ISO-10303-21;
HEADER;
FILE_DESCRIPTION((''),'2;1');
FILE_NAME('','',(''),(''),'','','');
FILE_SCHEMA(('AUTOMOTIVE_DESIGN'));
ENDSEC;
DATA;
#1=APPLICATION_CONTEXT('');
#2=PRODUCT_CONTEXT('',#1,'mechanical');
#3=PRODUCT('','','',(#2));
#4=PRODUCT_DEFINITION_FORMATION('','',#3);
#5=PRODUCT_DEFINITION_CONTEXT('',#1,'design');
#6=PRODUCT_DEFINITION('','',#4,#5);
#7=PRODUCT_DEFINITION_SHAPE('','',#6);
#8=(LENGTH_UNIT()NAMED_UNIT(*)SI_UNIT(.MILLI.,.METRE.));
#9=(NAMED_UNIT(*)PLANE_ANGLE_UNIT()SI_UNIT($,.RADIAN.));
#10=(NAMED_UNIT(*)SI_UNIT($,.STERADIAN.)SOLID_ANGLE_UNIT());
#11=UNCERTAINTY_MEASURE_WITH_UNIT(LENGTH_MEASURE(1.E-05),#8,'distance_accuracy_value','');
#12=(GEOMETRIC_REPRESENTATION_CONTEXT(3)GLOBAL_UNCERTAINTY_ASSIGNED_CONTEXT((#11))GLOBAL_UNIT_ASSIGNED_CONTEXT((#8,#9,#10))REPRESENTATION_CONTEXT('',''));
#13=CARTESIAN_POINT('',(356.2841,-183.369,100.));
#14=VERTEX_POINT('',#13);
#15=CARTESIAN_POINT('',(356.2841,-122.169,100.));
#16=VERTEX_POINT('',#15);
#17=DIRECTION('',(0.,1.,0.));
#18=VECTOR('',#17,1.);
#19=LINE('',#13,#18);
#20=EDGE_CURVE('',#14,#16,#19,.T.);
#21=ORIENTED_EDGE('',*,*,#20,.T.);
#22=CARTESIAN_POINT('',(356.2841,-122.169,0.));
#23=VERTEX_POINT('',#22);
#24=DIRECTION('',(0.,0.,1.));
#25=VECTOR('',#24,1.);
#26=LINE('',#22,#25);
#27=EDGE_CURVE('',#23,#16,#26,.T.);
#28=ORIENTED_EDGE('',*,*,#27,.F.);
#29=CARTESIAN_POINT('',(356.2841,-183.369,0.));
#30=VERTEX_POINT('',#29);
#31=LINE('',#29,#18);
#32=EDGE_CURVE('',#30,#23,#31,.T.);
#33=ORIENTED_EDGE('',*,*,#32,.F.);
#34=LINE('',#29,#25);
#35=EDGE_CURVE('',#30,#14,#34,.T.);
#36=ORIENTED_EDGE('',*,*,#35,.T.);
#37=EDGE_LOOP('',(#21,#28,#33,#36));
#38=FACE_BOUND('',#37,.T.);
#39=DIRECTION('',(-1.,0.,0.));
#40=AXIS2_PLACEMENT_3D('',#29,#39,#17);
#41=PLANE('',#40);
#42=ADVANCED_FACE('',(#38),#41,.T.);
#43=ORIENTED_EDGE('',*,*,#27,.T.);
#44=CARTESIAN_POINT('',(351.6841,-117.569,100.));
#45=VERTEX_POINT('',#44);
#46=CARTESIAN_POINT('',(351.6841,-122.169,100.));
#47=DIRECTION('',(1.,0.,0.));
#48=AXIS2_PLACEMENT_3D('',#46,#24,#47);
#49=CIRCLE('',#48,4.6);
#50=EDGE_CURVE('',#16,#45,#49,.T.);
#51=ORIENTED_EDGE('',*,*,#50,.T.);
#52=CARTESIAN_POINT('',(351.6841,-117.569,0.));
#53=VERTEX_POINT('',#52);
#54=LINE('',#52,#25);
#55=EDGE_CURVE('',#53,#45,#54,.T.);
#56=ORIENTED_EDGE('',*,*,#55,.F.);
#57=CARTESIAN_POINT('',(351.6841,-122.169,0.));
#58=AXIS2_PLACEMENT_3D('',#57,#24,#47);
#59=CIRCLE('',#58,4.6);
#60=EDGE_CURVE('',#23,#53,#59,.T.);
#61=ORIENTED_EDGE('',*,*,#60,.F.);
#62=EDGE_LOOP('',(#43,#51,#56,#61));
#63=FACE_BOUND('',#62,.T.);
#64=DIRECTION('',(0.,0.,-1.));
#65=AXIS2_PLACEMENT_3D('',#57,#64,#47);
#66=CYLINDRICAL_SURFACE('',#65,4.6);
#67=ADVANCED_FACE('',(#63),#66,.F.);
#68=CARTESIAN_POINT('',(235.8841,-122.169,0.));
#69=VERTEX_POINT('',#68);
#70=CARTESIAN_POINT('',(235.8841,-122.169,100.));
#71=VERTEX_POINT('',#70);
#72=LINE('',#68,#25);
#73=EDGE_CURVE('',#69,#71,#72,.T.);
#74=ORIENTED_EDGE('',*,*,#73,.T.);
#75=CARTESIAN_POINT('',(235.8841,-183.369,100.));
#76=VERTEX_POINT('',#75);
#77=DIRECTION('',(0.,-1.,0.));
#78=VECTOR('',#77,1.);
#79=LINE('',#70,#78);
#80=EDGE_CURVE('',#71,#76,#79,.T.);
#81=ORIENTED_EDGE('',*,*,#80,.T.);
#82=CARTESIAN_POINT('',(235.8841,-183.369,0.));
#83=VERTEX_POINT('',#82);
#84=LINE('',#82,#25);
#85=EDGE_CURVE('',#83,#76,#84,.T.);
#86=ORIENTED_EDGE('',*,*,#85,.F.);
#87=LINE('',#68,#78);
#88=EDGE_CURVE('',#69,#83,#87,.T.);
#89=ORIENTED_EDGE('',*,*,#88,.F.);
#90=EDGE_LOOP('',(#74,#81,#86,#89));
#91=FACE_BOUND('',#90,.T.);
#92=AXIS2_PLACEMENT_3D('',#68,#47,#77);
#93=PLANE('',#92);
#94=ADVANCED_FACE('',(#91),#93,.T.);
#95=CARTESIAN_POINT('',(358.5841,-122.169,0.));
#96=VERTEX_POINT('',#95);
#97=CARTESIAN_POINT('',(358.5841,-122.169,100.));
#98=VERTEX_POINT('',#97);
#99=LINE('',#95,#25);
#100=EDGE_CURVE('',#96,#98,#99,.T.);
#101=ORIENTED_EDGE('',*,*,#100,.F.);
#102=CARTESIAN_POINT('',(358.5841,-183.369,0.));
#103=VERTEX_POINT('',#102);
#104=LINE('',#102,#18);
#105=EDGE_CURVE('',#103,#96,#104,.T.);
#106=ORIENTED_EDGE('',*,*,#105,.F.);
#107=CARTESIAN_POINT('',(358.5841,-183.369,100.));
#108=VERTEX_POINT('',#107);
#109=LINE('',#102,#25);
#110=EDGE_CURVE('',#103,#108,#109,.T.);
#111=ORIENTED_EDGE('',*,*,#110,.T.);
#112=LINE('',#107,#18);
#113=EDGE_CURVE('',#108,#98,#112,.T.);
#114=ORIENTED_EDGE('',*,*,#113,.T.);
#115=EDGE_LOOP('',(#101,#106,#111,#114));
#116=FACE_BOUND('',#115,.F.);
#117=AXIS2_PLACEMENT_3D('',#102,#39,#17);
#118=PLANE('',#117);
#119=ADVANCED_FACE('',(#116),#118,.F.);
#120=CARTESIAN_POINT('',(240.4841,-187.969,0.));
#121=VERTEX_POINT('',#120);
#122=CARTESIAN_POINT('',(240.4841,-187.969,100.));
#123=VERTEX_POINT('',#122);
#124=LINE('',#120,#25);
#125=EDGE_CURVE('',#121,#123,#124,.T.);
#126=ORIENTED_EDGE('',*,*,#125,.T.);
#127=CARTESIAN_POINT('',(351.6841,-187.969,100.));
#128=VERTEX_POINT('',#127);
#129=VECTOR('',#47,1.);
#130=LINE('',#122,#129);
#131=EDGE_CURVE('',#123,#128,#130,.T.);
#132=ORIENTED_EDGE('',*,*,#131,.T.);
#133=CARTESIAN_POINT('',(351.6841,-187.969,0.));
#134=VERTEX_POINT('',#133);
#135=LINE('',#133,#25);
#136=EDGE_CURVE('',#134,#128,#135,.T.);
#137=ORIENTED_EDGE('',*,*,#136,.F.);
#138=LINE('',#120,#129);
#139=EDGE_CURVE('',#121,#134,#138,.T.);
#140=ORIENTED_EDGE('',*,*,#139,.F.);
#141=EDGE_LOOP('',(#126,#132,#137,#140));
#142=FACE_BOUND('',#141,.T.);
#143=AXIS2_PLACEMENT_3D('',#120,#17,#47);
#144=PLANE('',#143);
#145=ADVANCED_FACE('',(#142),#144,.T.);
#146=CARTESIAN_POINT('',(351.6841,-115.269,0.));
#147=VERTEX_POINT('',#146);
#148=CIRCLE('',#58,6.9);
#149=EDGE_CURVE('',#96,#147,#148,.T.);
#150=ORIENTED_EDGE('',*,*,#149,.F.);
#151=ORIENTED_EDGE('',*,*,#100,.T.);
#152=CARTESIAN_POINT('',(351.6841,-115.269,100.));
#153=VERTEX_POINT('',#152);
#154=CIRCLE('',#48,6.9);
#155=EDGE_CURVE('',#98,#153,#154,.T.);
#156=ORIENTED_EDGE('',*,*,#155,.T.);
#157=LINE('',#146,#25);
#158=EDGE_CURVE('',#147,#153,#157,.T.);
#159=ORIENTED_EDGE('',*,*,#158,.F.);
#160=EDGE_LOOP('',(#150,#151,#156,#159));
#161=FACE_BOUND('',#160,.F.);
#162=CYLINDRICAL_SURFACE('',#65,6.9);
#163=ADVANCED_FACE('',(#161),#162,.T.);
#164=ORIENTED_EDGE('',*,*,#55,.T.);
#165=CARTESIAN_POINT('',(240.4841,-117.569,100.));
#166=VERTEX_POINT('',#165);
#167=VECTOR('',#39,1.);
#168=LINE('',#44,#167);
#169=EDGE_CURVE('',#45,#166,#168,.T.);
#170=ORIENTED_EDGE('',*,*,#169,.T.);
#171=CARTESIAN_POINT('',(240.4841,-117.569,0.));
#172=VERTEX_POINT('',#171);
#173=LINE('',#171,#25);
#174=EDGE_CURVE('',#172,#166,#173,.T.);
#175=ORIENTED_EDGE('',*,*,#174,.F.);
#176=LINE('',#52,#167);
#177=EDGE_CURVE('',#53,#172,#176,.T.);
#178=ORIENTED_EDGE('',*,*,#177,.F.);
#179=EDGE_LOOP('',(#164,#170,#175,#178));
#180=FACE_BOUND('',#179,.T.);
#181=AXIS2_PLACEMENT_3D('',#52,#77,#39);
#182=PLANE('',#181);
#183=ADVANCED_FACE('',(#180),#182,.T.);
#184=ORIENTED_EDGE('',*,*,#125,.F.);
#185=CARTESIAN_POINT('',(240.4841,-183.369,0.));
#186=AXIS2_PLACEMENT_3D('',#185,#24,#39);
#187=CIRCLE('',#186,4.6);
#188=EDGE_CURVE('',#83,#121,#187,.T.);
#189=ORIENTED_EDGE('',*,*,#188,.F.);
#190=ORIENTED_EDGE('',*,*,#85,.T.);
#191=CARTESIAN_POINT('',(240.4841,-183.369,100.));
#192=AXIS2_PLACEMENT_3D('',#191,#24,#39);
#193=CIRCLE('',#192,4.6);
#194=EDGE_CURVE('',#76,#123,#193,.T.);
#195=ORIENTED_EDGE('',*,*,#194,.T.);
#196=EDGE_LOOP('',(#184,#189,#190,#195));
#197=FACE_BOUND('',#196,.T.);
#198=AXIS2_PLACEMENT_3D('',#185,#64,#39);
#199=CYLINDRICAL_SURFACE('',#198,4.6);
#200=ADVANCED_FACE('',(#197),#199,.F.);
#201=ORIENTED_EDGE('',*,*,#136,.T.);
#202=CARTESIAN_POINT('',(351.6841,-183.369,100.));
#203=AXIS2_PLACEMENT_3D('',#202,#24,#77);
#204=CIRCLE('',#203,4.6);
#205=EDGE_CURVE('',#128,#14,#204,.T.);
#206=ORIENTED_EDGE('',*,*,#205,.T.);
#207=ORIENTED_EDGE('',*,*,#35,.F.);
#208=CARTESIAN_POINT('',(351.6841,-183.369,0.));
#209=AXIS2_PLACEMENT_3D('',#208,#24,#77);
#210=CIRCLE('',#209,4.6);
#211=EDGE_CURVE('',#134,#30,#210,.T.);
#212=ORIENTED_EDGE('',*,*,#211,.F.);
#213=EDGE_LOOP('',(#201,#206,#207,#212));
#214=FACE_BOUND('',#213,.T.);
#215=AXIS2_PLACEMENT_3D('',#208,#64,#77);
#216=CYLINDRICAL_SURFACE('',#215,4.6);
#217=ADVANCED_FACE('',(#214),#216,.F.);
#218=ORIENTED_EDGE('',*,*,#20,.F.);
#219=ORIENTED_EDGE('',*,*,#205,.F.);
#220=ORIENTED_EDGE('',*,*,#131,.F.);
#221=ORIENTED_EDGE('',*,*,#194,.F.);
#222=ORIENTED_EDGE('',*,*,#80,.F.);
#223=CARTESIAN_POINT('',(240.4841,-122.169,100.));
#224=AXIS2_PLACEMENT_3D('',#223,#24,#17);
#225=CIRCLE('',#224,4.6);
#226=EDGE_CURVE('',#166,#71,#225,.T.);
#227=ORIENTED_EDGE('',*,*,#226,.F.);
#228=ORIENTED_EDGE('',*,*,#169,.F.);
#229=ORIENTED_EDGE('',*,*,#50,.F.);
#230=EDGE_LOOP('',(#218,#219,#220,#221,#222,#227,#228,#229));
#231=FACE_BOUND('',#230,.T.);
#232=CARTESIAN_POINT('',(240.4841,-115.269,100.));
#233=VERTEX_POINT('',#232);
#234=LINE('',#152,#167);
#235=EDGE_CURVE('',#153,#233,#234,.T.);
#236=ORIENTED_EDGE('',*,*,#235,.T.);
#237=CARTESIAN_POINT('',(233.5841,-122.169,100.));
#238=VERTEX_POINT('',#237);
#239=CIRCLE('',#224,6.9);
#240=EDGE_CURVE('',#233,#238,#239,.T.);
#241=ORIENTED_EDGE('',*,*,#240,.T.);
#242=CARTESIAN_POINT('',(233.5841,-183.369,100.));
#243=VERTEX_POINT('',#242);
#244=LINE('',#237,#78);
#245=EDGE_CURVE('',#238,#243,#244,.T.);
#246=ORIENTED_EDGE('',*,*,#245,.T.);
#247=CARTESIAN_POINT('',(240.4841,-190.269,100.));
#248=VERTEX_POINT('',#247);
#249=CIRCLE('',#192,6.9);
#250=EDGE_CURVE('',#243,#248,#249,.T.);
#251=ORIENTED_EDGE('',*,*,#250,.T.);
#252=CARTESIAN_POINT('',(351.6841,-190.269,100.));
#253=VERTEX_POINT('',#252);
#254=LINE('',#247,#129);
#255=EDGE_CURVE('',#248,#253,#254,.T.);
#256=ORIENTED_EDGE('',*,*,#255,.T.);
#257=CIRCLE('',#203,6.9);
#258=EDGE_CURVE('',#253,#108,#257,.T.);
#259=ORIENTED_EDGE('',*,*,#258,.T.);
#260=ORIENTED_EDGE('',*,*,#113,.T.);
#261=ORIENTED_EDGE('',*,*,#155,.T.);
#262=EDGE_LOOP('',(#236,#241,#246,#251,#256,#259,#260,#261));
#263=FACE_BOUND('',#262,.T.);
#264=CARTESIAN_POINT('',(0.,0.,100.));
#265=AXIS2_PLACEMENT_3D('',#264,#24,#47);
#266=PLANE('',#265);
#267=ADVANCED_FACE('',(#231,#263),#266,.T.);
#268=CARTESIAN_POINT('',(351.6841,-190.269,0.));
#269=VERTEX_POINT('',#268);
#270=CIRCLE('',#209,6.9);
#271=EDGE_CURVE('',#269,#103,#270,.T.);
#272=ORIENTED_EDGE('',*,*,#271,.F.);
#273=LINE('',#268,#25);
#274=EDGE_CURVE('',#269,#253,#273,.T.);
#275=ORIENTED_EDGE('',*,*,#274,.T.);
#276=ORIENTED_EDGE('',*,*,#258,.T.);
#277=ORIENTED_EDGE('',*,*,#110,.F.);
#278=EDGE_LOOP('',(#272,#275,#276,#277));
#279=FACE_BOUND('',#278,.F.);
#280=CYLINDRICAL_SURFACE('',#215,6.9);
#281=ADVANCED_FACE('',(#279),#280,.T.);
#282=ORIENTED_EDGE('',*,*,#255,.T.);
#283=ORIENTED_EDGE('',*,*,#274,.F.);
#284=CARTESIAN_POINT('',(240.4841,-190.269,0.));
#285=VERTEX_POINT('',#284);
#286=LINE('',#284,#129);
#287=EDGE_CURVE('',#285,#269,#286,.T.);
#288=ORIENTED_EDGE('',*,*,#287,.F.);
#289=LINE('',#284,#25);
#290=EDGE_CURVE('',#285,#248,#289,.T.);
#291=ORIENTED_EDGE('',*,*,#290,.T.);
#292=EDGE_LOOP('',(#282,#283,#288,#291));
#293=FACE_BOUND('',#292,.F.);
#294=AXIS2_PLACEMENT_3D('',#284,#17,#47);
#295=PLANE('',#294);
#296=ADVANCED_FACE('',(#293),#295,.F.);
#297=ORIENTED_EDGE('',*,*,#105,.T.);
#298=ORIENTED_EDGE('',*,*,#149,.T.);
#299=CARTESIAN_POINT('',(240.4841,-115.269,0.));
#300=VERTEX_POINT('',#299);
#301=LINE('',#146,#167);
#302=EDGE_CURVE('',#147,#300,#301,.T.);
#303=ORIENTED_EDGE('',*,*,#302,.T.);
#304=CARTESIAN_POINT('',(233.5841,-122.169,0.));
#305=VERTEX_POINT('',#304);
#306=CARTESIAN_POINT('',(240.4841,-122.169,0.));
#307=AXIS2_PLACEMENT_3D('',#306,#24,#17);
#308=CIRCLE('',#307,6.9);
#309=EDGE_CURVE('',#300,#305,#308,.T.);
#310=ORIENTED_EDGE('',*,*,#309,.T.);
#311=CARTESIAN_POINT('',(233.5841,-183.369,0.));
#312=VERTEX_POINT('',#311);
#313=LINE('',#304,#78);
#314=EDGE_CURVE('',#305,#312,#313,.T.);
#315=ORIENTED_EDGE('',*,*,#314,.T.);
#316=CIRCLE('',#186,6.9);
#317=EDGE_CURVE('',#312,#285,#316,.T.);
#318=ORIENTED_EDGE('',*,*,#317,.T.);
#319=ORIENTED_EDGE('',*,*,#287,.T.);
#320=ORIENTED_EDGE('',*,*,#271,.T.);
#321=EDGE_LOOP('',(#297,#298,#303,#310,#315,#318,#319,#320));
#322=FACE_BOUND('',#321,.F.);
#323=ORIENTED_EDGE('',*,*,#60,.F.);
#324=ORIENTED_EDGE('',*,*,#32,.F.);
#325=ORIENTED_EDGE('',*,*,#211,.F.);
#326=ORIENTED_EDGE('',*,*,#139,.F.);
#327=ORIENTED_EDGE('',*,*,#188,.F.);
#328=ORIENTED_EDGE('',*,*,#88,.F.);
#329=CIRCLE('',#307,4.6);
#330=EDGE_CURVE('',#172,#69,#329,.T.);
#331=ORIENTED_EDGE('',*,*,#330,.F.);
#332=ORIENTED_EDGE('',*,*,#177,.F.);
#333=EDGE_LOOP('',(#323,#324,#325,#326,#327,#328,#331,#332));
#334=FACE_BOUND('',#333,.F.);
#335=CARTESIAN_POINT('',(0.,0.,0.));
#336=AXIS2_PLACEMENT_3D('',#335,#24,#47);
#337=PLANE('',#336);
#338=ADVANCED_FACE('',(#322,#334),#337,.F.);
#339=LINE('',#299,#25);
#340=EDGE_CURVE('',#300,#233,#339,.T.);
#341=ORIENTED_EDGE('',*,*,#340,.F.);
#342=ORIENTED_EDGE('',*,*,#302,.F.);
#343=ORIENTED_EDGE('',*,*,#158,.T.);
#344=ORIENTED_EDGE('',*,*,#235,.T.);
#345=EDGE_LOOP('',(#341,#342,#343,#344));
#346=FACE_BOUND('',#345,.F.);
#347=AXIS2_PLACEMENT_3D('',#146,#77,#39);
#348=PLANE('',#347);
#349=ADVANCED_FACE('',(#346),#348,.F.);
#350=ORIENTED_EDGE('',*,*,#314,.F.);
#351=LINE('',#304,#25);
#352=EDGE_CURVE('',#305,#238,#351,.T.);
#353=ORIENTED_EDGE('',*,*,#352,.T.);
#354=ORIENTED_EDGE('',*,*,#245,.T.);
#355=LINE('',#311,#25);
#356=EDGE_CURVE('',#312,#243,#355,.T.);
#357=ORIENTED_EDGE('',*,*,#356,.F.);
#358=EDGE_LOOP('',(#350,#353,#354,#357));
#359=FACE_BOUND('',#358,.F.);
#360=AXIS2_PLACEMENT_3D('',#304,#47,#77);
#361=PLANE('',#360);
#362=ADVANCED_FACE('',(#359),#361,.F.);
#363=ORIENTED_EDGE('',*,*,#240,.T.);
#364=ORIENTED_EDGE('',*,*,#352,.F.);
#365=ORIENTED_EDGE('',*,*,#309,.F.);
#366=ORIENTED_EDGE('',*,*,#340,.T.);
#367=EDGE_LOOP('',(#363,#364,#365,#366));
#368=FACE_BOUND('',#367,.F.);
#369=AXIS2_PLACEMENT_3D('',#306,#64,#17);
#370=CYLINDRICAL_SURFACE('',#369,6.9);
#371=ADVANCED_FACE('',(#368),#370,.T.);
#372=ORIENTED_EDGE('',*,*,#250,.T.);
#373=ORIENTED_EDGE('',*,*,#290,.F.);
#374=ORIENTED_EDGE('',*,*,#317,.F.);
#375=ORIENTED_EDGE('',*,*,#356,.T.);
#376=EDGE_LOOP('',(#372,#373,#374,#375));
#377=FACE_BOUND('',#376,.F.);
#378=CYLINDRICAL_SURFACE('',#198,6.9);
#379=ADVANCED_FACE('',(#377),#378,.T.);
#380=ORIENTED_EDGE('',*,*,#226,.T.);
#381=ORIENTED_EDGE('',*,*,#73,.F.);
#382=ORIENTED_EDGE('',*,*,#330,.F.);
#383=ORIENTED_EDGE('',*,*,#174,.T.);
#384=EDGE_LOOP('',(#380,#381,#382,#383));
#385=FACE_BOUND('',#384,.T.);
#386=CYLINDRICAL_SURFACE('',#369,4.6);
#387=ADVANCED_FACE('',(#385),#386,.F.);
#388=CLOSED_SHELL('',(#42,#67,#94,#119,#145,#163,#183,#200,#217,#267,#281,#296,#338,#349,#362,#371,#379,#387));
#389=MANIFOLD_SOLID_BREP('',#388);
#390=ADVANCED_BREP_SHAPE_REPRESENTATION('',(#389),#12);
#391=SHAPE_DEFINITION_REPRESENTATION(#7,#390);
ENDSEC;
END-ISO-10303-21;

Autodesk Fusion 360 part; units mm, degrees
sketch "スケッチ1" plane through (0, 0, 0) normal (0, 0, 1) x (1, 0, 0)
  line L0 (240.4841, -190.269) -> (351.6841, -190.269)
  line L1 (240.4841, -187.969) -> (351.6841, -187.969)
  line L2 (351.6841, -115.269) -> (240.4841, -115.269)
  line L3 (351.6841, -117.569) -> (240.4841, -117.569)
  arc A0 (233.5841, -183.369) -> (240.4841, -190.269) centre (240.4841, -183.369) ccw
  arc A1 (235.8841, -183.369) -> (240.4841, -187.969) centre (240.4841, -183.369) ccw
  arc A2 (240.4841, -115.269) -> (233.5841, -122.169) centre (240.4841, -122.169) ccw
  line L4 (233.5841, -122.169) -> (233.5841, -183.369)
  line L5 (235.8841, -122.169) -> (235.8841, -183.369)
  arc A3 (240.4841, -117.569) -> (235.8841, -122.169) centre (240.4841, -122.169) ccw
  arc A4 (351.6841, -190.269) -> (358.5841, -183.369) centre (351.6841, -183.369) ccw
  arc A5 (351.6841, -187.969) -> (356.2841, -183.369) centre (351.6841, -183.369) ccw
  line L6 (358.5841, -183.369) -> (358.5841, -122.169)
  line L7 (356.2841, -183.369) -> (356.2841, -122.169)
  arc A6 (358.5841, -122.169) -> (351.6841, -115.269) centre (351.6841, -122.169) ccw
  arc A7 (356.2841, -122.169) -> (351.6841, -117.569) centre (351.6841, -122.169) ccw
  point P0 (296.0841, -152.769)
extrude "押し出し1" add sketch "スケッチ1" along normal blind 100
